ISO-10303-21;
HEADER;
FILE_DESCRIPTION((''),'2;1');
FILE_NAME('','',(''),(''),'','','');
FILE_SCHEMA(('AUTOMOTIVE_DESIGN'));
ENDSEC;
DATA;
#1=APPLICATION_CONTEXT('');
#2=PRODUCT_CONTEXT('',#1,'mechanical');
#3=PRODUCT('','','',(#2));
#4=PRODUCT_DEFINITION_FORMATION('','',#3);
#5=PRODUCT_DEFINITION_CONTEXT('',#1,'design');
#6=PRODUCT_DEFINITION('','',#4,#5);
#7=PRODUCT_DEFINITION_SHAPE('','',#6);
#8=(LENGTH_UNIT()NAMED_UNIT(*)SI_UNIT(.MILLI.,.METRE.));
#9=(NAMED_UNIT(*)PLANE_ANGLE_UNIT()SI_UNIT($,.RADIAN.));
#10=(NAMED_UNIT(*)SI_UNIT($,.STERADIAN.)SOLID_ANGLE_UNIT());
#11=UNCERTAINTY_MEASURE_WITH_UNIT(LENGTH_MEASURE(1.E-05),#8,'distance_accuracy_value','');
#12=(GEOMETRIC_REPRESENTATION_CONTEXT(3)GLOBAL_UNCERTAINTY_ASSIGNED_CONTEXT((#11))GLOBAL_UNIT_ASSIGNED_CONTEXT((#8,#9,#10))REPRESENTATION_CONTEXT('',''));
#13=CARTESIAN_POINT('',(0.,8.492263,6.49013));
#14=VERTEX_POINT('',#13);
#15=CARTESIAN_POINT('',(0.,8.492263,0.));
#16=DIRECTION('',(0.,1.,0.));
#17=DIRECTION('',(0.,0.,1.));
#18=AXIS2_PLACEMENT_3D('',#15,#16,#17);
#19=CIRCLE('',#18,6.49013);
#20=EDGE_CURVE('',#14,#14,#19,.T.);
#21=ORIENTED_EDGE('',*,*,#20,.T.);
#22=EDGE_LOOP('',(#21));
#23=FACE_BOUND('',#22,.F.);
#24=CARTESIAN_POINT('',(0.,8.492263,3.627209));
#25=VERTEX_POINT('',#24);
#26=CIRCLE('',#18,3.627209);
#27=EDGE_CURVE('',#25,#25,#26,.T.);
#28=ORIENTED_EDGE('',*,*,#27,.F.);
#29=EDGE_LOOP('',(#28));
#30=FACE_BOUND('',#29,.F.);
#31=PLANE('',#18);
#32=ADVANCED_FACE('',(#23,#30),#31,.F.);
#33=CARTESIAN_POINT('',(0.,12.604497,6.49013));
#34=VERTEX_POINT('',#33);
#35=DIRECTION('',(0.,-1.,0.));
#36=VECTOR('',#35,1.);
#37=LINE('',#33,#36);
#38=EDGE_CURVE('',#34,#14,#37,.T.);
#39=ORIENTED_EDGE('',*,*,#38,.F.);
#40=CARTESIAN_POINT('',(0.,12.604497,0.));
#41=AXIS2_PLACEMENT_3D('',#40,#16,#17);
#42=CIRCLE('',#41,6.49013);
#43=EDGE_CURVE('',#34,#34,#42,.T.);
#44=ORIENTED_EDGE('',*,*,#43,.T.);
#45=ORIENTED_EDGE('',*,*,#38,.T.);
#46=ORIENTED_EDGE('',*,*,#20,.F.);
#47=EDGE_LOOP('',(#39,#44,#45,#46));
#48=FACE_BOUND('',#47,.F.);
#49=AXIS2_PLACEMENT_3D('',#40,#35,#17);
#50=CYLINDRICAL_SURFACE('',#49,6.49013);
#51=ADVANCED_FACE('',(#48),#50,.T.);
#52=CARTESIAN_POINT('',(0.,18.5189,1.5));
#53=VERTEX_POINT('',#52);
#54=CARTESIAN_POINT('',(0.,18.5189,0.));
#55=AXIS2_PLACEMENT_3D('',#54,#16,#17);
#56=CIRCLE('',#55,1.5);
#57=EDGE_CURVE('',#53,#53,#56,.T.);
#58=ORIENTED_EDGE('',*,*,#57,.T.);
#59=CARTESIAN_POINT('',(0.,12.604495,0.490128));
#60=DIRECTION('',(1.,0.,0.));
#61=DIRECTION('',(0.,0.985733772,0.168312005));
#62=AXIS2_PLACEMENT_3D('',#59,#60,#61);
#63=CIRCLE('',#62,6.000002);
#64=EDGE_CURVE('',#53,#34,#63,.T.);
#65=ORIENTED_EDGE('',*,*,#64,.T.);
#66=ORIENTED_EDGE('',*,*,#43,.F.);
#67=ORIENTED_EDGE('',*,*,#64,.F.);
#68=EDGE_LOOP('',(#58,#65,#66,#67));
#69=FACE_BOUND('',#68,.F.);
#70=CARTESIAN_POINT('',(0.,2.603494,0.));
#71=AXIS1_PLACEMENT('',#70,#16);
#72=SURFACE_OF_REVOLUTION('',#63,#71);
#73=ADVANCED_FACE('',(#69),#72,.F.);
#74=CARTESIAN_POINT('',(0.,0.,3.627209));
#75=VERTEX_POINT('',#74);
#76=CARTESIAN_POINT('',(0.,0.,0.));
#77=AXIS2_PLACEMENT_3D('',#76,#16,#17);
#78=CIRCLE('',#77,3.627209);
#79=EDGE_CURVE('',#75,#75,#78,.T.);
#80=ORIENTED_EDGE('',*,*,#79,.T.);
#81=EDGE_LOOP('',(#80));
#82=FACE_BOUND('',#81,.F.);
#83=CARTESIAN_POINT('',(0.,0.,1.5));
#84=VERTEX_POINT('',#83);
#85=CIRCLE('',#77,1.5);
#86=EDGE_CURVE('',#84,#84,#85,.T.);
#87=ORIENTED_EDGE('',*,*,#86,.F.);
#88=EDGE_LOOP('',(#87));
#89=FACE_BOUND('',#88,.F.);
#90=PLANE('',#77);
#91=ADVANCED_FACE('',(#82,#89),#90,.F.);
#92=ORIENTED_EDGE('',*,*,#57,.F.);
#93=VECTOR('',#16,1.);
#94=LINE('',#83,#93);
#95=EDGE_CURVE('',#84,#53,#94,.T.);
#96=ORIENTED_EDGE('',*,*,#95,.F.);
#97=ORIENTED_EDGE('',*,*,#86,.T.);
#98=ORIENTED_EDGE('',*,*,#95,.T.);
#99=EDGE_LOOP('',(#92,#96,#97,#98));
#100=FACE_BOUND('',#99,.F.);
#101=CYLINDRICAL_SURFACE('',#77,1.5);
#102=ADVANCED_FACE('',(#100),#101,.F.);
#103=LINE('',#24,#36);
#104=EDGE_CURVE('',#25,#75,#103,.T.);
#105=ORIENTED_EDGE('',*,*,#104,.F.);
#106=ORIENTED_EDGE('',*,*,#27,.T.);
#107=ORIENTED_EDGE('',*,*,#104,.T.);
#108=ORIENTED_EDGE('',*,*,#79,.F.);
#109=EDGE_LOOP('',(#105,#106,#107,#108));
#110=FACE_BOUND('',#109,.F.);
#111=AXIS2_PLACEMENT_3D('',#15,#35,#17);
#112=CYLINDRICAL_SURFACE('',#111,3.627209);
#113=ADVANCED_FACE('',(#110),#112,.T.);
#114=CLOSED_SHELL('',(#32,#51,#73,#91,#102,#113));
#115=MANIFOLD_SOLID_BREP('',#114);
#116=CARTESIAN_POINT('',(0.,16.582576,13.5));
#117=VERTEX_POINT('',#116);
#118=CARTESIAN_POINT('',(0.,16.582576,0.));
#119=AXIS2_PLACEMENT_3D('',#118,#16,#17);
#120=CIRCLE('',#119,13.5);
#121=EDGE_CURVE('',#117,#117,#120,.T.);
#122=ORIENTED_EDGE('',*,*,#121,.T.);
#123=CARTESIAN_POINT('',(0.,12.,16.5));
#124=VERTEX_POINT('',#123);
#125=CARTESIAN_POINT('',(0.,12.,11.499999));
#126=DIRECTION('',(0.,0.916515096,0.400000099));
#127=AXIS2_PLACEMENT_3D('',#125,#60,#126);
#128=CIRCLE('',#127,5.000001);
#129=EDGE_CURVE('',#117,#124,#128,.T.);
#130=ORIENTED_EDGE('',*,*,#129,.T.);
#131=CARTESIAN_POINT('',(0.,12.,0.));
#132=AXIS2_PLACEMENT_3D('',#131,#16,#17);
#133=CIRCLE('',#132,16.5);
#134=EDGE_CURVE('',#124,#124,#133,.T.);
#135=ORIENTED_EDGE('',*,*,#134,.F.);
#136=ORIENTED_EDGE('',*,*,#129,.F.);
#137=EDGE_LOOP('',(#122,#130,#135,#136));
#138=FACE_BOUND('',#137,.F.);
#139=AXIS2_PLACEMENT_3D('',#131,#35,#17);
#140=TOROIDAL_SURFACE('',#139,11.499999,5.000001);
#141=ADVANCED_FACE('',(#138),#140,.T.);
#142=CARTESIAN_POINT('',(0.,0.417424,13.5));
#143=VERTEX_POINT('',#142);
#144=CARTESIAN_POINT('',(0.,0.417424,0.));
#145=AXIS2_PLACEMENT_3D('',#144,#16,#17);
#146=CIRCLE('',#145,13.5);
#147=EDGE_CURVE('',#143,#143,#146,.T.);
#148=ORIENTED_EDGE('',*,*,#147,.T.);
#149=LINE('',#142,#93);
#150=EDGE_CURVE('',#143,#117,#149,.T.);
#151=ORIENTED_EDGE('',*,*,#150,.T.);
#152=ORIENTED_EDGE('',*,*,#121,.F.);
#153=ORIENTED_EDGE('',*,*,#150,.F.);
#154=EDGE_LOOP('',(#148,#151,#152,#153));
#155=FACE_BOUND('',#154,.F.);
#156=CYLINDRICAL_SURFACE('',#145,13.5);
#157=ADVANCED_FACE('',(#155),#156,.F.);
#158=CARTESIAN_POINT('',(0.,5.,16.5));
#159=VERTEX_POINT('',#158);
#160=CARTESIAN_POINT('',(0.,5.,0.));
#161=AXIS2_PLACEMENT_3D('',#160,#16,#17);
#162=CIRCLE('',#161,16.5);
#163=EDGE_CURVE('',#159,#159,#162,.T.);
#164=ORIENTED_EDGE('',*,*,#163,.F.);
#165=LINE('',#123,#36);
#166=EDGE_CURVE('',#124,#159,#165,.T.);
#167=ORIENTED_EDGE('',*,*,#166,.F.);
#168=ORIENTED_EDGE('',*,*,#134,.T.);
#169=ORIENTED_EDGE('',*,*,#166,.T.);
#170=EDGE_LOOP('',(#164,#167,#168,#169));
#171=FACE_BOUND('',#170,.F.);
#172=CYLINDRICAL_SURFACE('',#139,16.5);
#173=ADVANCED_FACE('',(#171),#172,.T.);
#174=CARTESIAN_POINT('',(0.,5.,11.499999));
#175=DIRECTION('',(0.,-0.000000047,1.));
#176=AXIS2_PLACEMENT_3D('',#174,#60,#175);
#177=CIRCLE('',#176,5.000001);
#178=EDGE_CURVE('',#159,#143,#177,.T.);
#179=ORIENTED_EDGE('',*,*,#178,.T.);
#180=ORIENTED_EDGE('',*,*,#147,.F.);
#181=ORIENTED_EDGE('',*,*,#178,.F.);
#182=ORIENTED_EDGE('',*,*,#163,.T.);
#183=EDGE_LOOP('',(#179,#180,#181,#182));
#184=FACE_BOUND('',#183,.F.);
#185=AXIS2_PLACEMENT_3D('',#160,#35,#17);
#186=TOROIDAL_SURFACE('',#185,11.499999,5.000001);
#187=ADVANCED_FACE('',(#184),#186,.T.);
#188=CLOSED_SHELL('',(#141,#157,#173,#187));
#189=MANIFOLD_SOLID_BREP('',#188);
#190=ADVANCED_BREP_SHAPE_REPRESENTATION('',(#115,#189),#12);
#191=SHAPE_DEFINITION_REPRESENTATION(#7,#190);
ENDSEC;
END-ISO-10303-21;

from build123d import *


with BuildPart() as f1:
    # F0 (on Right) → F1 (revolve)
    with BuildSketch(Plane.YZ):
        with BuildLine():
            Line((12, 16.5), (5, 16.5))
            ThreePointArc((5, 16.5), (2.261387, 15.6833), (0.417424, 13.5))
            Line((0.417424, 13.5), (16.582576, 13.5))
            ThreePointArc((16.582576, 13.5), (14.738613, 15.6833), (12, 16.5))
        make_face()
        with BuildLine():
            Line((8.492263, 3.627209), (0, 3.627209))
            Line((0, 3.627209), (0, 1.5))
            Line((0, 1.5), (18.5189, 1.5))
            ThreePointArc((18.5189, 1.5), (16.473655, 5.075935), (12.604497, 6.49013))
            Line((12.604497, 6.49013), (8.492263, 6.49013))
            Line((8.492263, 6.49013), (8.492263, 3.627209))
        make_face()
    revolve(axis=Axis((0, 2.603494, 0), (0, 1, 0)))


solid = f1.part
